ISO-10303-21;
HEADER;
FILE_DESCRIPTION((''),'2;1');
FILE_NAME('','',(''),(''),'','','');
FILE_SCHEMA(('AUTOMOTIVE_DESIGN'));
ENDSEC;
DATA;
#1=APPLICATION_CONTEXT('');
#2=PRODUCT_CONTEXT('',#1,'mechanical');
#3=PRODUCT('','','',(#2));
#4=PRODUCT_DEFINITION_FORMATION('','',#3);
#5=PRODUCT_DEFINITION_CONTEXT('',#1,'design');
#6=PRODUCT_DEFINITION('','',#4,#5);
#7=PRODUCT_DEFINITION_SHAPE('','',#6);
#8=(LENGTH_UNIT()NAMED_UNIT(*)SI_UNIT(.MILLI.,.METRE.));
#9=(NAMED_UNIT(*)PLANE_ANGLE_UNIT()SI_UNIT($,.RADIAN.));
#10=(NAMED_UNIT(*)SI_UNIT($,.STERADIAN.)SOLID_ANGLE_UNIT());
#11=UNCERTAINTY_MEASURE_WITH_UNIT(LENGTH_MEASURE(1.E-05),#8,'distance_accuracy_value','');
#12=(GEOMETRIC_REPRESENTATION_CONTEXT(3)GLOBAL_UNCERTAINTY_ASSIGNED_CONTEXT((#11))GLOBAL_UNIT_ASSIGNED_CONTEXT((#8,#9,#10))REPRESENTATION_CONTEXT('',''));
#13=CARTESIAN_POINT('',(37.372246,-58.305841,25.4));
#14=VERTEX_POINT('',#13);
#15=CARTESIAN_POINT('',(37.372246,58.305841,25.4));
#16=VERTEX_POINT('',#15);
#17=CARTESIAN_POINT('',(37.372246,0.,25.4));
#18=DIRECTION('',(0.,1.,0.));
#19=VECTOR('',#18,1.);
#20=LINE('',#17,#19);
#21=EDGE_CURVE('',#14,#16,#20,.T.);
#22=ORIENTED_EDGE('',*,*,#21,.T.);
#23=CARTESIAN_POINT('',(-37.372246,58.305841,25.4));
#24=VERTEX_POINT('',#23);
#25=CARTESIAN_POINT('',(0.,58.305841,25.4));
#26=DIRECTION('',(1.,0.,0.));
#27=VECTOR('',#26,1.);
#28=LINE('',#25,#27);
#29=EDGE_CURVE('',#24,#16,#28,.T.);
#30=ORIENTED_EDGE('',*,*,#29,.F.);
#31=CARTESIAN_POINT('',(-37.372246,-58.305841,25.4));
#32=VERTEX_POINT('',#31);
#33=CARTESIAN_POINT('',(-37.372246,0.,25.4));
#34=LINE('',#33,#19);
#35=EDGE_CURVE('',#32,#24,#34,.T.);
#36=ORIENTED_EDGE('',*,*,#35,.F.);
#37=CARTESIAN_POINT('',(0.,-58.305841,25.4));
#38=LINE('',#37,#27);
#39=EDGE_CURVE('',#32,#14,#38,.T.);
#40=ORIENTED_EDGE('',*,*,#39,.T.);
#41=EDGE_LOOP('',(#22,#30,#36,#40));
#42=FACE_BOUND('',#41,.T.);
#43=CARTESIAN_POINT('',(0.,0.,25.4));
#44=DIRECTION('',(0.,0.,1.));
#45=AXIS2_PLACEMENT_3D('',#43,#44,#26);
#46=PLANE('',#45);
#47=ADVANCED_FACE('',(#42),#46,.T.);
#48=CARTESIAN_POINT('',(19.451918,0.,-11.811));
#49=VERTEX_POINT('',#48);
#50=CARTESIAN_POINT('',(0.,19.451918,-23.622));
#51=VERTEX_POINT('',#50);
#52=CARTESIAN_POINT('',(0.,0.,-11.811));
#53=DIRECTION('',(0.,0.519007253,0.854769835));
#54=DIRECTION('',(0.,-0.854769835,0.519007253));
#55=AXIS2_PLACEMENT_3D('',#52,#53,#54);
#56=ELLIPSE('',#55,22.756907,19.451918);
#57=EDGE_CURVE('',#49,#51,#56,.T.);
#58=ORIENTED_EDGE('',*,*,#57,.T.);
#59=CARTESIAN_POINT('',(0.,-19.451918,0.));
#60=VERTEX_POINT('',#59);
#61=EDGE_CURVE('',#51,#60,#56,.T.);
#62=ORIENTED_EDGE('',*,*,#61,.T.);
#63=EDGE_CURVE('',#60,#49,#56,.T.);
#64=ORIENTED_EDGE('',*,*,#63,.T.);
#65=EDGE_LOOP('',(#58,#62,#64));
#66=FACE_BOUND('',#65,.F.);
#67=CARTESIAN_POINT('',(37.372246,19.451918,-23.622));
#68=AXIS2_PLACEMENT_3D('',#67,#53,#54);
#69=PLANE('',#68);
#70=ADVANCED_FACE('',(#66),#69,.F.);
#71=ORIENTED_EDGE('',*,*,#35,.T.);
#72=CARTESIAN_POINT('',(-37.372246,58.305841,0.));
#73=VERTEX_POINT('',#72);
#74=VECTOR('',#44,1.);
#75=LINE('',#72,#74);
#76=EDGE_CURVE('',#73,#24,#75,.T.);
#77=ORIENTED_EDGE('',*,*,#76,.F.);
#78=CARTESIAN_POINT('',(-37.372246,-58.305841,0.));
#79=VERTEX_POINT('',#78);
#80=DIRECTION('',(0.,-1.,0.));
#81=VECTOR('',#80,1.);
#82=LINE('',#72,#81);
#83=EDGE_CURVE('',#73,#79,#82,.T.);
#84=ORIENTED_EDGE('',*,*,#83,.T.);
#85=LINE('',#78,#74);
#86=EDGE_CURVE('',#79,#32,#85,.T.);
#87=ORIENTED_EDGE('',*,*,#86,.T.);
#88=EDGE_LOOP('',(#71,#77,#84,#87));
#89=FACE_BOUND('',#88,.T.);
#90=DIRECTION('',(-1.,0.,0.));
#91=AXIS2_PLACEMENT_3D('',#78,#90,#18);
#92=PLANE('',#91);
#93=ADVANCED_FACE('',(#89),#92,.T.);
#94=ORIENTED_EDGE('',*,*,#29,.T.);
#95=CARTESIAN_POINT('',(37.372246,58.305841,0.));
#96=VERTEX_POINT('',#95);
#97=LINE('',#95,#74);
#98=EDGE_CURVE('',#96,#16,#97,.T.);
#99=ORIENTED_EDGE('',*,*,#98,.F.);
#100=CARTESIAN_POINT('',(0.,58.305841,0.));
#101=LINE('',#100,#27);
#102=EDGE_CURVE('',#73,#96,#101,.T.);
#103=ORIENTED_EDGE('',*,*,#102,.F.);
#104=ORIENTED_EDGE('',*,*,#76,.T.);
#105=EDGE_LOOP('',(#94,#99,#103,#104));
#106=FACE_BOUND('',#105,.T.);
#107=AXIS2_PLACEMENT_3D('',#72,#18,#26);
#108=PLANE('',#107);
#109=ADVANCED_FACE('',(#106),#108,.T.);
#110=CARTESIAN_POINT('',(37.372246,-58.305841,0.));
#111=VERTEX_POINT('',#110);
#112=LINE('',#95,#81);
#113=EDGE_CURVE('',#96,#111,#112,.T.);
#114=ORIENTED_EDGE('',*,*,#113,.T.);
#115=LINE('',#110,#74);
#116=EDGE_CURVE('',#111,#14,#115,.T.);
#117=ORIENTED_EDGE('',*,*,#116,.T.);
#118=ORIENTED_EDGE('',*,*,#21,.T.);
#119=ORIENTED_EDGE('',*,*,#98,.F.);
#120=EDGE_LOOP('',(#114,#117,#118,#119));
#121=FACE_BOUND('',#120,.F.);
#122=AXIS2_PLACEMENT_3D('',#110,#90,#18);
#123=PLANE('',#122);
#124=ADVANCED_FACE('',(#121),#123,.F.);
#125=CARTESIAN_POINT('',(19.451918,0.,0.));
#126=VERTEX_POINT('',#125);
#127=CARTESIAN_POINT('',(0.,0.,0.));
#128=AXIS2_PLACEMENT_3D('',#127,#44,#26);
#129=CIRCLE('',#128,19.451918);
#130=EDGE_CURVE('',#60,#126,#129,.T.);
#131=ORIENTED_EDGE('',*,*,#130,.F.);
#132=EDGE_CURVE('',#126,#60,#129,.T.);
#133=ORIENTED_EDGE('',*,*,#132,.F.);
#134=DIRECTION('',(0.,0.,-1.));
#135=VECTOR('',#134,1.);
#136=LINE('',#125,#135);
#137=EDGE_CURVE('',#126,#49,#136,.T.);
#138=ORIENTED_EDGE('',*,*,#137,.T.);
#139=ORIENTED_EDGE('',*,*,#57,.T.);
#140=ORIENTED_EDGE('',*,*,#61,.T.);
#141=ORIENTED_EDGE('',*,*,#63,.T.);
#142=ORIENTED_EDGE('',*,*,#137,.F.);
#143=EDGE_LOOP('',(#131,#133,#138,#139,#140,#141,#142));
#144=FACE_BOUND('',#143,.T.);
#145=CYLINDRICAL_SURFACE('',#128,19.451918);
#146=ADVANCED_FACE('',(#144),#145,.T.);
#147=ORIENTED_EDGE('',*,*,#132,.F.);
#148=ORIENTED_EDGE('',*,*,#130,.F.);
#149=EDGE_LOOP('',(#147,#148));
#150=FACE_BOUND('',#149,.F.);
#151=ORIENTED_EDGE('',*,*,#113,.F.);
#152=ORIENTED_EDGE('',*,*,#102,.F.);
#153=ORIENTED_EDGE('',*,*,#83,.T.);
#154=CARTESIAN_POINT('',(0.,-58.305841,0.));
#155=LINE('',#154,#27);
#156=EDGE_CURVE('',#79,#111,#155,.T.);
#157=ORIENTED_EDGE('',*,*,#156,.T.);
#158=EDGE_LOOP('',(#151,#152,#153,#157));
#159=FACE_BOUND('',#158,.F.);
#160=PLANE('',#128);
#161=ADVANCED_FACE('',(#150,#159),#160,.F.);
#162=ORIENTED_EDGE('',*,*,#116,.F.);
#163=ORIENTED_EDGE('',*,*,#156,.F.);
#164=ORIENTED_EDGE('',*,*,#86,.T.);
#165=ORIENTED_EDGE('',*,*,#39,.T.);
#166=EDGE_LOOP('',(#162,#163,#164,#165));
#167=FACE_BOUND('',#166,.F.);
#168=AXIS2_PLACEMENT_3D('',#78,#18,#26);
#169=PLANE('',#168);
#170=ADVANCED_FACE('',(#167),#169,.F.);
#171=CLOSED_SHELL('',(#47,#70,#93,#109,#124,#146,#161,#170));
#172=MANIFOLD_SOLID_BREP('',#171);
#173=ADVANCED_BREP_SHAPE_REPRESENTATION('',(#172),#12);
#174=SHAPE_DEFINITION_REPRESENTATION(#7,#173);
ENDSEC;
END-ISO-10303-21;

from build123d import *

# Parameters (mm, degrees)
F0_W     = 74.744492
F0_H     = 116.611682
F0_R     = 19.451918
F1_DEPTH = 25.4
F2_DEPTH = 23.622
F4_DEPTH = 74.745493


with BuildPart() as f1:
    # F0 (on Top) → F1 (new body)
    with BuildSketch(Plane.XY):
        Rectangle(F0_W, F0_H)
        Circle(F0_R, mode=Mode.SUBTRACT)
        Circle(F0_R)
    extrude(amount=F1_DEPTH)

    # F0 (on Top) → F2 (join)
    with BuildSketch(Plane.XY):
        Circle(F0_R)
    extrude(amount=-F2_DEPTH)

    # F3 (on face) → F4 (cut, through all)
    with BuildSketch(Plane.YZ.offset(37.372246)):
        Polygon((-19.451918, 0), (-19.451918, -23.622), (19.451918, -23.622), align=None)
    extrude(amount=-F4_DEPTH, mode=Mode.SUBTRACT)


solid = f1.part
